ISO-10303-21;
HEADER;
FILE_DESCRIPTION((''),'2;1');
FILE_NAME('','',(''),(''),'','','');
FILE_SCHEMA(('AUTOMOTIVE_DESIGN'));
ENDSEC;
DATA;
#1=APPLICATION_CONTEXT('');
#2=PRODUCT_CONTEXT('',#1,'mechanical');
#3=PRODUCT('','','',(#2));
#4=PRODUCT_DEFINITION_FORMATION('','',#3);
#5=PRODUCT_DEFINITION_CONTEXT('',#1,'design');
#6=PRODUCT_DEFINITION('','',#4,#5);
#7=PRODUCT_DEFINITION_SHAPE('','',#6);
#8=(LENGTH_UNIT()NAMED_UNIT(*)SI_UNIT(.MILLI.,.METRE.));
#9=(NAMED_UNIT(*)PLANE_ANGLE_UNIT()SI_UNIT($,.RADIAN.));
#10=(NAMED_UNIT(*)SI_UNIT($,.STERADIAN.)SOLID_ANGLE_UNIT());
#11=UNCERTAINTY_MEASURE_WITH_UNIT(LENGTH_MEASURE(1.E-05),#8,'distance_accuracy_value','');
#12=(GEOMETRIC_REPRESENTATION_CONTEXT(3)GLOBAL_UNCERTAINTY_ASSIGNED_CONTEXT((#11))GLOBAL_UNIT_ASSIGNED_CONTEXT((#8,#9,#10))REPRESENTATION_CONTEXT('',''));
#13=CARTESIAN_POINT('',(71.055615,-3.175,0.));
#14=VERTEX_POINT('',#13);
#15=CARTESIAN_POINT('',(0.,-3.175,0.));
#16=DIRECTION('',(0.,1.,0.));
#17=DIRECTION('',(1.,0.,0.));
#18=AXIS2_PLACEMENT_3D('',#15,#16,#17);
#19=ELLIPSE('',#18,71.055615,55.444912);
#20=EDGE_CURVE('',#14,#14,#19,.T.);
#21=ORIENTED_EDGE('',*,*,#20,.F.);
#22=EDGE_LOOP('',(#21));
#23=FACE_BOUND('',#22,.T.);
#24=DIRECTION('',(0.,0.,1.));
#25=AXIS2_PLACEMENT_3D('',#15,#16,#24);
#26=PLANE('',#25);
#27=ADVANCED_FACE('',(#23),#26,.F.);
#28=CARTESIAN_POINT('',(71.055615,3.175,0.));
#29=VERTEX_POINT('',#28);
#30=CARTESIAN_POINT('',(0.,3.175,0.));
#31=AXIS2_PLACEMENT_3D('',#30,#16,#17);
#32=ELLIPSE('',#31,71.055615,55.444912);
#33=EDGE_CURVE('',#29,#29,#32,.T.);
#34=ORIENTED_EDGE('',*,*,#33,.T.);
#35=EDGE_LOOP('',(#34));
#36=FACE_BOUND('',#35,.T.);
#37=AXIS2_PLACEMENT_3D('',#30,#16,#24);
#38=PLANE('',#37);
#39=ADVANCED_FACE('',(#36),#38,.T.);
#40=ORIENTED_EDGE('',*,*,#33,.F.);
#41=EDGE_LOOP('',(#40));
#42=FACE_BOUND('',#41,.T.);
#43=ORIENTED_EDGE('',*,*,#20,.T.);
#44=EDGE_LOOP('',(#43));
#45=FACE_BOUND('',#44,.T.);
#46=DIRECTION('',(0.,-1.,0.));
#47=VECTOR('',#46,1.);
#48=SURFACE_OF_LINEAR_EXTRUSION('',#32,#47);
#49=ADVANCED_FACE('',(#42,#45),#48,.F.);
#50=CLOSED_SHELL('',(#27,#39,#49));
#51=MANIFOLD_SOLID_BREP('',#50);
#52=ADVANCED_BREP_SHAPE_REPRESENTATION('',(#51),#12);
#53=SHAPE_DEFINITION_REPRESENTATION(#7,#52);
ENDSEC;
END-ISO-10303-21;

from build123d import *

# Parameters (mm, degrees)
SKETCH12_RX         = 71.055615084
SKETCH12_RY         = 55.44491177
BOSS_EXTRUDE3_DEPTH = 3.175


with BuildPart() as part:
    # Sketch12 → Boss-Extrude3 (new, symmetric)
    with BuildSketch(Plane(origin=(0, 0, 0), x_dir=(1, 0, 0), z_dir=(0, 1, 0))):
        with Locations((0, 0)):
            Ellipse(SKETCH12_RX, SKETCH12_RY)
    extrude(amount=BOSS_EXTRUDE3_DEPTH, both=True)


solid = part.part
